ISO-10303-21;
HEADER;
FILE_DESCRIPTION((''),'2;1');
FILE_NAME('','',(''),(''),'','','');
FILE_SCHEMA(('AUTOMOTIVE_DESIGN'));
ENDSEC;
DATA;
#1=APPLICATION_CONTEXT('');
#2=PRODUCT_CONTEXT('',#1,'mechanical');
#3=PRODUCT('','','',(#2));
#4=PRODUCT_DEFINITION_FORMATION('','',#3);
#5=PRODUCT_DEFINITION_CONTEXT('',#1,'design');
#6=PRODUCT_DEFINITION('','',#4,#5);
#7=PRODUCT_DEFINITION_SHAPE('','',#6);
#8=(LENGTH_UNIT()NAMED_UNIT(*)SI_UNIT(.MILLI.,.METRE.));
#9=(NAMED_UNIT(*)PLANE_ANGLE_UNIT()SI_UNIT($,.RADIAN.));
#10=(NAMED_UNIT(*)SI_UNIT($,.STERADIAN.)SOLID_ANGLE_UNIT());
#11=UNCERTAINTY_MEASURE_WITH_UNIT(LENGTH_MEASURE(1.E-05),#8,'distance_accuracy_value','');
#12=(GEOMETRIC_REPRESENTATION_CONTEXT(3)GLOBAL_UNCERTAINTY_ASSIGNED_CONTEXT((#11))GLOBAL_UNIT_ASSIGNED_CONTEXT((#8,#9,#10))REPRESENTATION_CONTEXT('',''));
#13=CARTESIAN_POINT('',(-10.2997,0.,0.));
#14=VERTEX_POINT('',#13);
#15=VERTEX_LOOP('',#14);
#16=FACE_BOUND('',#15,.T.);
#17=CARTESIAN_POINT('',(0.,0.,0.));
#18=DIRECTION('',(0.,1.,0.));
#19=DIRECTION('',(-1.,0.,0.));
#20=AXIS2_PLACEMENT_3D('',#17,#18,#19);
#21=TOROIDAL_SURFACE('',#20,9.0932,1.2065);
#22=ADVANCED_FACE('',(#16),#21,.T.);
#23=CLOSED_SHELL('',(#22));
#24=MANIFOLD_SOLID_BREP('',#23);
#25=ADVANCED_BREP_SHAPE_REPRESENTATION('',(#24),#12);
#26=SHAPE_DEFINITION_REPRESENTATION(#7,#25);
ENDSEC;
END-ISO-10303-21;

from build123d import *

# Parameters (mm, degrees)
SKETCH1_R = 1.2065


with BuildPart() as part:
    # Sketch1 → Revolve1 (revolve)
    with BuildSketch(Plane.XY, mode=Mode.PRIVATE) as revolve1_sk:
        with Locations((9.0932, 0)):
            Circle(SKETCH1_R)
    revolve(revolve1_sk.sketch.rotate(Axis((0, 9.12195122, 0), (0, -1, 0)), 180), axis=Axis((0, 9.12195122, 0), (0, -1, 0)))


solid = part.part
